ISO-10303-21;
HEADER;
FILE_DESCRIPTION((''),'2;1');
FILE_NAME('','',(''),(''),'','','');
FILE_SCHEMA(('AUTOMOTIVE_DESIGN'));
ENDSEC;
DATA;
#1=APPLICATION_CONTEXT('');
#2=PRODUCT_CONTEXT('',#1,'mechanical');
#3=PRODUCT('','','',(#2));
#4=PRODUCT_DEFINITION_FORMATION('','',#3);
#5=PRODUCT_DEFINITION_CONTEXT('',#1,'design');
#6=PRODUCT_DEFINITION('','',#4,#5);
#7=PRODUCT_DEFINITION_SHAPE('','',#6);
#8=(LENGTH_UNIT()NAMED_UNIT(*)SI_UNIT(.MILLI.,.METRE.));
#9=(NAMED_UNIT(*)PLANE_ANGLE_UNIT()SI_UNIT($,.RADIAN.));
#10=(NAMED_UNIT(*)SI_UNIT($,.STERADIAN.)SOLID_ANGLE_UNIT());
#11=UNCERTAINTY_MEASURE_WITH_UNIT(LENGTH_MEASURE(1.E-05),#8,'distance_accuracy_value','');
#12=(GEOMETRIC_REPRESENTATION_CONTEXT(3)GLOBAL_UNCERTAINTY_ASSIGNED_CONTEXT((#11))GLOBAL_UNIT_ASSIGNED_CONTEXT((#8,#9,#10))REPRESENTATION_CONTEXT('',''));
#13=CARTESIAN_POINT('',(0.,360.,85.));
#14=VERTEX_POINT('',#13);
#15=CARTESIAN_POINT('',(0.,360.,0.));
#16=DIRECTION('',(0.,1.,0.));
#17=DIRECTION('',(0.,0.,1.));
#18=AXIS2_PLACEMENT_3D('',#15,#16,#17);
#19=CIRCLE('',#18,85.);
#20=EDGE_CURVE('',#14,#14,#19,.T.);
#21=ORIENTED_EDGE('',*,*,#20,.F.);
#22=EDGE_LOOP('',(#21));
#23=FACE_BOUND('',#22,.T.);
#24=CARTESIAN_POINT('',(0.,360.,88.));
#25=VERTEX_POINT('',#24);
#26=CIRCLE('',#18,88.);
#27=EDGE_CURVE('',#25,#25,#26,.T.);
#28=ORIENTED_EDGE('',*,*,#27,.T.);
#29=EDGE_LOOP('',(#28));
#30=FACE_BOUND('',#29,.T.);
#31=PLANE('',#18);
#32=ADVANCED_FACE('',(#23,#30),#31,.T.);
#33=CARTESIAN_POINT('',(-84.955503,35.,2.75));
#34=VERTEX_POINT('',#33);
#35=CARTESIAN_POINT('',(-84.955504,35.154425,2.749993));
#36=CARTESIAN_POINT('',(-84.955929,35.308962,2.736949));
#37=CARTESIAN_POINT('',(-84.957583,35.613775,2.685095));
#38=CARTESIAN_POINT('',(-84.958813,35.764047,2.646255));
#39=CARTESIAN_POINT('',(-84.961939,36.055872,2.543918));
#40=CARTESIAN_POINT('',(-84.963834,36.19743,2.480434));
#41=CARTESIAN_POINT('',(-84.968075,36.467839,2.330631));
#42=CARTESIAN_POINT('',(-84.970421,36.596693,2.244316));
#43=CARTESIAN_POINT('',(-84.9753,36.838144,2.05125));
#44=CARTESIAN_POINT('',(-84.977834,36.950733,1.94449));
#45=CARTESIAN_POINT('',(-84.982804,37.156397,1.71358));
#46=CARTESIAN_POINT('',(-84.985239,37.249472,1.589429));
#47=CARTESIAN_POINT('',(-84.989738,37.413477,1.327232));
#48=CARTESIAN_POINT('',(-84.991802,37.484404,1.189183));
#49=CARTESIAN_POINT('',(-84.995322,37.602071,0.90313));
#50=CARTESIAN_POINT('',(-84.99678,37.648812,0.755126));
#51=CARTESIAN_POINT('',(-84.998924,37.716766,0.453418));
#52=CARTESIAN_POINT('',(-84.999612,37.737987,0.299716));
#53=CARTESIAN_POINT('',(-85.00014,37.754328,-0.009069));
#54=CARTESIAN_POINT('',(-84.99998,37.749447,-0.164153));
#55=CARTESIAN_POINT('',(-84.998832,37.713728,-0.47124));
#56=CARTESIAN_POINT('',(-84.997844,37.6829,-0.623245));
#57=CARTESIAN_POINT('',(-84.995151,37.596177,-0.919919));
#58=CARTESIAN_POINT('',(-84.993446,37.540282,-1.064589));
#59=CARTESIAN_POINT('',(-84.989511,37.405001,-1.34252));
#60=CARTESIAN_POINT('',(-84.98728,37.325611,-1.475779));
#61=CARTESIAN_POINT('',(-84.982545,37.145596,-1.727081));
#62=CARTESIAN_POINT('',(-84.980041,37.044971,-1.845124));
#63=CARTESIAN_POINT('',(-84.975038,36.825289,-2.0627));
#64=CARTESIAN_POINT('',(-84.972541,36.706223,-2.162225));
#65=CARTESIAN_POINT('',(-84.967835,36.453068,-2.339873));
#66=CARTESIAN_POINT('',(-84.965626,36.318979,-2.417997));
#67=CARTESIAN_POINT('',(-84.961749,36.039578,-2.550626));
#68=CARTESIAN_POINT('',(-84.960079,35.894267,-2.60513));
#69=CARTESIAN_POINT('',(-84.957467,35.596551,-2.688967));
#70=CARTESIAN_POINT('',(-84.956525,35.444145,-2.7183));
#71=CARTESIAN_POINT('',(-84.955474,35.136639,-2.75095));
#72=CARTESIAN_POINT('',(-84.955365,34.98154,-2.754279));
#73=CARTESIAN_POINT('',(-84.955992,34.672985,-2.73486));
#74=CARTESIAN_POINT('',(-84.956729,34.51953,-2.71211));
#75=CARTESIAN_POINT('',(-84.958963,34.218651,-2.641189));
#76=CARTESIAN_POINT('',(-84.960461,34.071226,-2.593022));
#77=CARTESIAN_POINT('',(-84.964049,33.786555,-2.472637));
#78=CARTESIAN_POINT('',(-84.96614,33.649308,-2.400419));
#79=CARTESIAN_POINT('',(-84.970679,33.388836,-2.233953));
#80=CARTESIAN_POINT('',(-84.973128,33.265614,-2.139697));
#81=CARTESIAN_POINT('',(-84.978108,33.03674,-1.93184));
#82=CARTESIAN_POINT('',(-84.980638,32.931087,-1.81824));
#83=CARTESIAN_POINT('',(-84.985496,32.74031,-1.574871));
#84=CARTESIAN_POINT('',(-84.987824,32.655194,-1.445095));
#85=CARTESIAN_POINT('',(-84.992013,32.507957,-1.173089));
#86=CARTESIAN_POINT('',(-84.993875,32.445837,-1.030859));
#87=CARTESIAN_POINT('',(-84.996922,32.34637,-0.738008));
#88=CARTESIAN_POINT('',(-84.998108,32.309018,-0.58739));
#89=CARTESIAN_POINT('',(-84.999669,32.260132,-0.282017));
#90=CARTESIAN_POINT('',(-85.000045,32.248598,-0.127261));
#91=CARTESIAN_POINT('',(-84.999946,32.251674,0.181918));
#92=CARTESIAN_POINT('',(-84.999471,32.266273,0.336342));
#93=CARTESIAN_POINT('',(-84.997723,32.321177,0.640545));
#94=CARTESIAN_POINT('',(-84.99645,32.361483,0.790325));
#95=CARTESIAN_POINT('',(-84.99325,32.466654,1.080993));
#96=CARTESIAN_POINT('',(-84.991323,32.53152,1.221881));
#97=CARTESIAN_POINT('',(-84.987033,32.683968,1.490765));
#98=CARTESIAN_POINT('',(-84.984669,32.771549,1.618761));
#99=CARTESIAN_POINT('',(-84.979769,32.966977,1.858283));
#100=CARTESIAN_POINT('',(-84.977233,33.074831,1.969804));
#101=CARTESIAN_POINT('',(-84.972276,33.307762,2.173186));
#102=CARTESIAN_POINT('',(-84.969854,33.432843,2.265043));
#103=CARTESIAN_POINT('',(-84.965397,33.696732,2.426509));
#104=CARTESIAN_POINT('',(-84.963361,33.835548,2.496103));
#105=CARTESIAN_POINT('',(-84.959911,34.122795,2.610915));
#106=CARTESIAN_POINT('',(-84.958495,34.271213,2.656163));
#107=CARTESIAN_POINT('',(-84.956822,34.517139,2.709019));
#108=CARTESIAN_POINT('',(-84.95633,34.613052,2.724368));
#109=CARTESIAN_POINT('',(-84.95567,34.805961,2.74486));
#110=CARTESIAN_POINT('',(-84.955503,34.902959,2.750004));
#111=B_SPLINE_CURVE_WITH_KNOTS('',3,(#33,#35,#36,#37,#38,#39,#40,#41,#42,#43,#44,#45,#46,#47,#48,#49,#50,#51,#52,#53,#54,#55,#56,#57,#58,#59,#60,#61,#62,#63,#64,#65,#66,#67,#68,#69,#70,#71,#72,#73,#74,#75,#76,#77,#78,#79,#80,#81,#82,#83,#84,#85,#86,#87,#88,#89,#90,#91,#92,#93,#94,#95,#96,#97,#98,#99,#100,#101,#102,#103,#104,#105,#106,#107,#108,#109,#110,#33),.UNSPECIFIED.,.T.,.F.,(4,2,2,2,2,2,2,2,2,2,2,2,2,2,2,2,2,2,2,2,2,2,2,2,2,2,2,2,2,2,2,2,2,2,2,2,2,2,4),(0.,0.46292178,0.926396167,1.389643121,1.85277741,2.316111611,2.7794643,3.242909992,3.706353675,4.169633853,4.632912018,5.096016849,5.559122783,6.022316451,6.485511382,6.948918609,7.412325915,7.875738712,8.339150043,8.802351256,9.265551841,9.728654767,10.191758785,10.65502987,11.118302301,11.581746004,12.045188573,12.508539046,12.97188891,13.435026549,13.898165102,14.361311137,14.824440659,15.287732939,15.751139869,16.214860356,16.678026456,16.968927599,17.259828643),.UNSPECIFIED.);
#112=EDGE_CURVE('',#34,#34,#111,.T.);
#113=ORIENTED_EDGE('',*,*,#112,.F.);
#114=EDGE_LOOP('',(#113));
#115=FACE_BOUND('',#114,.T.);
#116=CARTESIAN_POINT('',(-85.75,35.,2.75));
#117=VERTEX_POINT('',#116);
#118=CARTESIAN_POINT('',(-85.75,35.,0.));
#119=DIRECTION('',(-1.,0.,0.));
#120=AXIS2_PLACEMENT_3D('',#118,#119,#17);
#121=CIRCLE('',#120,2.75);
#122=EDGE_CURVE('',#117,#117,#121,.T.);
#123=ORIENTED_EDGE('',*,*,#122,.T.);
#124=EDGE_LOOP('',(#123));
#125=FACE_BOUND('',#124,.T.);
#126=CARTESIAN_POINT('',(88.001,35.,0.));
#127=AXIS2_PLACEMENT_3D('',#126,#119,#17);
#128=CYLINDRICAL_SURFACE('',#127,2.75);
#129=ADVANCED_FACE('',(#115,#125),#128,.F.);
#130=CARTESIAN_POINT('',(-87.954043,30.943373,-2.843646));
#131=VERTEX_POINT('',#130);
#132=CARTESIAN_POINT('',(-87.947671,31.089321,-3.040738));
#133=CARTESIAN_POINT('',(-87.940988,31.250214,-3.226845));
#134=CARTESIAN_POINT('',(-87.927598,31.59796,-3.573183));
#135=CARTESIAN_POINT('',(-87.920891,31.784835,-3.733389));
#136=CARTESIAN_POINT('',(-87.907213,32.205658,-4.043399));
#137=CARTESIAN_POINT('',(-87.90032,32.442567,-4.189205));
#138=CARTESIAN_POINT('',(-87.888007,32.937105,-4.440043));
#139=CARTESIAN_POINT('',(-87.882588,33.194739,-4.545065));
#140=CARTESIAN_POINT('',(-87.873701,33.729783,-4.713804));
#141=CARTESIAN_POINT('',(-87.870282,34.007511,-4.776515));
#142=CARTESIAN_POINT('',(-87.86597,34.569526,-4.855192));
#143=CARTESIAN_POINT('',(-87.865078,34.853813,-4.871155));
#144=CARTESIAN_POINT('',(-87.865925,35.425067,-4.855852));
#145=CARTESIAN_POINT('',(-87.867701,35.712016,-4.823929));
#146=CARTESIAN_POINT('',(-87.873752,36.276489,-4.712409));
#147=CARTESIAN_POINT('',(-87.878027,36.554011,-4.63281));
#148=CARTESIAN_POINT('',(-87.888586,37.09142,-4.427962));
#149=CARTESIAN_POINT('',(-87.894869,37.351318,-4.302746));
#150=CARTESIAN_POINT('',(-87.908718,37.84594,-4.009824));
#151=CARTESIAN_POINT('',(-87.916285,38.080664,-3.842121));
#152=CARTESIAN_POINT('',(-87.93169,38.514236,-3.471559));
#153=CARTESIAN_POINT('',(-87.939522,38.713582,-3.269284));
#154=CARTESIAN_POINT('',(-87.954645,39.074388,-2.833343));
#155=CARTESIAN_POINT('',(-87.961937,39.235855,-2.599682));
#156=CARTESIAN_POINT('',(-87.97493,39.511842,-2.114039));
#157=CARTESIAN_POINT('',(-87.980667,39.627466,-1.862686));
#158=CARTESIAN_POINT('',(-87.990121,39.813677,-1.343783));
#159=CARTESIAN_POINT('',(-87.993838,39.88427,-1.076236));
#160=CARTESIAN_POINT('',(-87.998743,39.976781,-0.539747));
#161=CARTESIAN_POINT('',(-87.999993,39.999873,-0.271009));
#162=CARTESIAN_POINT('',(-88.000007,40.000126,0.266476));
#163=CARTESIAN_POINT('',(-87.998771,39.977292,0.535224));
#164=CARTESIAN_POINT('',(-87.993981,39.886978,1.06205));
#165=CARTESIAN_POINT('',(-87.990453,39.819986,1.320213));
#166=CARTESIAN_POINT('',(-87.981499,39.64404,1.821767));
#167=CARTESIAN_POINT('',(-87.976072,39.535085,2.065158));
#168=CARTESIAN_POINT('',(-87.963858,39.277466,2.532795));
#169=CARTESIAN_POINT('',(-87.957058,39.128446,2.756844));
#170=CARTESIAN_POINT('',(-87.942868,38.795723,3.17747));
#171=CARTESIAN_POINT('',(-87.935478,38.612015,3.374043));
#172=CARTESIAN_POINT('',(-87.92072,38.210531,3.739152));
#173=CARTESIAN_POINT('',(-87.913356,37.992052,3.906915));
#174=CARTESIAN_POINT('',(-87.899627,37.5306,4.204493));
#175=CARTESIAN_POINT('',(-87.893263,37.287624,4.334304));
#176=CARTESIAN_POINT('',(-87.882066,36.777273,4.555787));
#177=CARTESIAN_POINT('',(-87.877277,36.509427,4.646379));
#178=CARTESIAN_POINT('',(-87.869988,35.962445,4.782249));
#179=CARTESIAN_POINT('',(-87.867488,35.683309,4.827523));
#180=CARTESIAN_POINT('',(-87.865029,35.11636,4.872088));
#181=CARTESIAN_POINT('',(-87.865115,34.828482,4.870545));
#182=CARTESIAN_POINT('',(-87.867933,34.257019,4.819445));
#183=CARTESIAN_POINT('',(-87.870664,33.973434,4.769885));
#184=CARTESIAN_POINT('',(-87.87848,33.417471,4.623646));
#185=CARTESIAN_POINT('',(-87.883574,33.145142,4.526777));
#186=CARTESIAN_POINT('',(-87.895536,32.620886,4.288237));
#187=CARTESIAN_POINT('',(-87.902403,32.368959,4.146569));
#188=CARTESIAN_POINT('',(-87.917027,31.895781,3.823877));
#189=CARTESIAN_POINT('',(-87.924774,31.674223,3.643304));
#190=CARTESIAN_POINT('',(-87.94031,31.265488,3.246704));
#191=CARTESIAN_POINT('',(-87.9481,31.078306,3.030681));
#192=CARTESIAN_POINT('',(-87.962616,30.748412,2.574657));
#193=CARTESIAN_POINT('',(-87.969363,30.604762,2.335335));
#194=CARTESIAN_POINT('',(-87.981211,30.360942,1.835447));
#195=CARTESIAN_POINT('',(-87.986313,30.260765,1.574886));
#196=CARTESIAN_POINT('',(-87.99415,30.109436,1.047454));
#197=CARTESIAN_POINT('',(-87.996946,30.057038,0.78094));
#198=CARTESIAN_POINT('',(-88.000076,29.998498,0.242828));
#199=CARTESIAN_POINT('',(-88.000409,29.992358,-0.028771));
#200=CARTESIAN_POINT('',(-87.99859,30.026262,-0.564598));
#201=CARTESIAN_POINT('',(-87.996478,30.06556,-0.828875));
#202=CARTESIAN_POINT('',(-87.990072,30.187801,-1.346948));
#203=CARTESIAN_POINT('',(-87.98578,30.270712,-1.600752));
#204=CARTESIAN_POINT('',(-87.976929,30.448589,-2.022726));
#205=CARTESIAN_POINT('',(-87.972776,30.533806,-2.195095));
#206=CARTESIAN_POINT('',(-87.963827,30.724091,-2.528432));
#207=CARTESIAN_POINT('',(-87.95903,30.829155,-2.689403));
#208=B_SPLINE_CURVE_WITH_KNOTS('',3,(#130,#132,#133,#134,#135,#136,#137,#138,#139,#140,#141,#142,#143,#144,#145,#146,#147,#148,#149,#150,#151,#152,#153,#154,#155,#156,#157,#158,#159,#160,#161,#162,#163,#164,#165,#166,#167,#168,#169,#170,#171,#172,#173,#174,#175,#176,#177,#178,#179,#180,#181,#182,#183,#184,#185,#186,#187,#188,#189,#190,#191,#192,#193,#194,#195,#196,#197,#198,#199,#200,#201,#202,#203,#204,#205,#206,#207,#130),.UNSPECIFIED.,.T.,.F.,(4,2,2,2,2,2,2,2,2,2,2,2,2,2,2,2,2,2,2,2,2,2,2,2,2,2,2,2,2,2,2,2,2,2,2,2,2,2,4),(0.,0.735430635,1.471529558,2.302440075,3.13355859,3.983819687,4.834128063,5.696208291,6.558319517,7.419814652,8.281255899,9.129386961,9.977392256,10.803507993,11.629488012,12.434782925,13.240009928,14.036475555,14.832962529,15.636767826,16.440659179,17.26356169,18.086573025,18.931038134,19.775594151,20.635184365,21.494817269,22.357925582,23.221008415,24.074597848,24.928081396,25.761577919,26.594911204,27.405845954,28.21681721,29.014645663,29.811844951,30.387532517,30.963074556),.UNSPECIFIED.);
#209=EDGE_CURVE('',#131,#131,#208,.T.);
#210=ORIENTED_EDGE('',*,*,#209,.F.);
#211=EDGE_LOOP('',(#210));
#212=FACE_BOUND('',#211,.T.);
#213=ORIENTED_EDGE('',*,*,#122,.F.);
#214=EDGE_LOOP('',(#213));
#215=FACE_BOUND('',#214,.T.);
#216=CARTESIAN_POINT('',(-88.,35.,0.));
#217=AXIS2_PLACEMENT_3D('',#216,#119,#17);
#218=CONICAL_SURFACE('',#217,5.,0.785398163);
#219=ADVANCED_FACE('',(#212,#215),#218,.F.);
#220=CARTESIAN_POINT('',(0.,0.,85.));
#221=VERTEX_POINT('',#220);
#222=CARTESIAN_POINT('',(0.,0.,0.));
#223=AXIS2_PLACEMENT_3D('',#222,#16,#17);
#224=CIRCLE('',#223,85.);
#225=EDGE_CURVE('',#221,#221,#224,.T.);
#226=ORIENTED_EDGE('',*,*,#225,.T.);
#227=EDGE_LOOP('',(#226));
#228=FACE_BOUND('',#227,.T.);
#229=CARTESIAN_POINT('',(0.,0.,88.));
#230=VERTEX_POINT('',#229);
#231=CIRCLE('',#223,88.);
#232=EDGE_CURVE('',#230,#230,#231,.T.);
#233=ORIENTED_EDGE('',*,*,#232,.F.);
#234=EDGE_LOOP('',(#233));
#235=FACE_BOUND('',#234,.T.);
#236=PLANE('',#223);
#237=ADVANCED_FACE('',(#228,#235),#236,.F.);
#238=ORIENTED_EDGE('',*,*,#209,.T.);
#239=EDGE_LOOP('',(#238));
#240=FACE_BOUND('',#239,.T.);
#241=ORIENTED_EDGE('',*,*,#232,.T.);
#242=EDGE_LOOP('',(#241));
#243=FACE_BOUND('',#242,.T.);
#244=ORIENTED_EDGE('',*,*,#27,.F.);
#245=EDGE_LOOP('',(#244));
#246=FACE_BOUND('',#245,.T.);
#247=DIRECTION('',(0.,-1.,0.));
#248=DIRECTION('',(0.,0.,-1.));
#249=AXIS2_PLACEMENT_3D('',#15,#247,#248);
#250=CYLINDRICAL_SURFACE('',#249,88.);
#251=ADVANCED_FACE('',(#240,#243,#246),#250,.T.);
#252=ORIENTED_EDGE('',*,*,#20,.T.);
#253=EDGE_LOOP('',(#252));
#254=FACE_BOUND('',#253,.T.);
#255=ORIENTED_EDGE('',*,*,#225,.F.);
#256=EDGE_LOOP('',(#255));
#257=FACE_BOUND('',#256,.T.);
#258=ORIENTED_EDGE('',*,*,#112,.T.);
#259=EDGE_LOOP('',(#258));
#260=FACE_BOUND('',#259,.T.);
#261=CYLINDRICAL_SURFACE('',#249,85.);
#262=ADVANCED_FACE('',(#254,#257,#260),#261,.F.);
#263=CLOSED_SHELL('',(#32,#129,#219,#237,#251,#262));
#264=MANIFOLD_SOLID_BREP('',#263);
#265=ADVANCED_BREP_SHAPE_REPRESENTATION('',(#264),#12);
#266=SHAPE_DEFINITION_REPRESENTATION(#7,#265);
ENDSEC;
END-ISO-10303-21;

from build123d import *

# Parameters (mm, degrees)
SKETCH1_R               = 88
SKETCH1_R_2             = 85
BOSS_EXTRUDE1_DEPTH     = 360
CUT_EXTRUDE1_REACH      = 412.268
CUT_EXTRUDE1_END_RADIUS = 85
SKETCH2_R               = 2.75


with BuildPart() as part:
    # Sketch1 → Boss-Extrude1 (new body)
    with BuildSketch(Plane(origin=(0, 0, 0), x_dir=(1, 0, 0), z_dir=(0, 1, 0))):
        with Locations(Location((0, 0, 0), (0, 0, 90))):
            Circle(SKETCH1_R)
        with Locations(Location((0, 0, 0), (0, 0, 90))):
            Circle(SKETCH1_R_2, mode=Mode.SUBTRACT)
    extrude(amount=BOSS_EXTRUDE1_DEPTH)

    # Cut-Extrude1: up to this cylinder (the profile starts outside it)
    cut_extrude1_end = Plane(origin=(0, 35, 0), z_dir=(0, -1, 0)) * Cylinder(CUT_EXTRUDE1_END_RADIUS, 995.536, mode=Mode.PRIVATE)
    # Sketch2 → Cut-Extrude1 (cut, up to the surface)
    with BuildSketch(Plane.ZY.offset(88), mode=Mode.PRIVATE) as cut_extrude1_sk1:
        with Locations((0, 35)):
            Circle(SKETCH2_R)
    cut_extrude1_tool1 = extrude(cut_extrude1_sk1.sketch, amount=-CUT_EXTRUDE1_REACH, mode=Mode.PRIVATE) - cut_extrude1_end
    add(cut_extrude1_tool1.solids().sort_by_distance((-88, 35, 0))[0], mode=Mode.SUBTRACT)

    # Sketch4 → Cut-Revolve1 (revolve, cut)
    with BuildSketch(Plane.XZ.offset(-35), mode=Mode.PRIVATE) as cut_revolve1_sk:
        Polygon((-88, 0), (-88, -5), (-83, 0), align=None)
    revolve(cut_revolve1_sk.sketch.rotate(Axis((-88, 35, 0), (1, 0, 0)), 180), axis=Axis((-88, 35, 0), (1, 0, 0)), mode=Mode.SUBTRACT)


solid = part.part
